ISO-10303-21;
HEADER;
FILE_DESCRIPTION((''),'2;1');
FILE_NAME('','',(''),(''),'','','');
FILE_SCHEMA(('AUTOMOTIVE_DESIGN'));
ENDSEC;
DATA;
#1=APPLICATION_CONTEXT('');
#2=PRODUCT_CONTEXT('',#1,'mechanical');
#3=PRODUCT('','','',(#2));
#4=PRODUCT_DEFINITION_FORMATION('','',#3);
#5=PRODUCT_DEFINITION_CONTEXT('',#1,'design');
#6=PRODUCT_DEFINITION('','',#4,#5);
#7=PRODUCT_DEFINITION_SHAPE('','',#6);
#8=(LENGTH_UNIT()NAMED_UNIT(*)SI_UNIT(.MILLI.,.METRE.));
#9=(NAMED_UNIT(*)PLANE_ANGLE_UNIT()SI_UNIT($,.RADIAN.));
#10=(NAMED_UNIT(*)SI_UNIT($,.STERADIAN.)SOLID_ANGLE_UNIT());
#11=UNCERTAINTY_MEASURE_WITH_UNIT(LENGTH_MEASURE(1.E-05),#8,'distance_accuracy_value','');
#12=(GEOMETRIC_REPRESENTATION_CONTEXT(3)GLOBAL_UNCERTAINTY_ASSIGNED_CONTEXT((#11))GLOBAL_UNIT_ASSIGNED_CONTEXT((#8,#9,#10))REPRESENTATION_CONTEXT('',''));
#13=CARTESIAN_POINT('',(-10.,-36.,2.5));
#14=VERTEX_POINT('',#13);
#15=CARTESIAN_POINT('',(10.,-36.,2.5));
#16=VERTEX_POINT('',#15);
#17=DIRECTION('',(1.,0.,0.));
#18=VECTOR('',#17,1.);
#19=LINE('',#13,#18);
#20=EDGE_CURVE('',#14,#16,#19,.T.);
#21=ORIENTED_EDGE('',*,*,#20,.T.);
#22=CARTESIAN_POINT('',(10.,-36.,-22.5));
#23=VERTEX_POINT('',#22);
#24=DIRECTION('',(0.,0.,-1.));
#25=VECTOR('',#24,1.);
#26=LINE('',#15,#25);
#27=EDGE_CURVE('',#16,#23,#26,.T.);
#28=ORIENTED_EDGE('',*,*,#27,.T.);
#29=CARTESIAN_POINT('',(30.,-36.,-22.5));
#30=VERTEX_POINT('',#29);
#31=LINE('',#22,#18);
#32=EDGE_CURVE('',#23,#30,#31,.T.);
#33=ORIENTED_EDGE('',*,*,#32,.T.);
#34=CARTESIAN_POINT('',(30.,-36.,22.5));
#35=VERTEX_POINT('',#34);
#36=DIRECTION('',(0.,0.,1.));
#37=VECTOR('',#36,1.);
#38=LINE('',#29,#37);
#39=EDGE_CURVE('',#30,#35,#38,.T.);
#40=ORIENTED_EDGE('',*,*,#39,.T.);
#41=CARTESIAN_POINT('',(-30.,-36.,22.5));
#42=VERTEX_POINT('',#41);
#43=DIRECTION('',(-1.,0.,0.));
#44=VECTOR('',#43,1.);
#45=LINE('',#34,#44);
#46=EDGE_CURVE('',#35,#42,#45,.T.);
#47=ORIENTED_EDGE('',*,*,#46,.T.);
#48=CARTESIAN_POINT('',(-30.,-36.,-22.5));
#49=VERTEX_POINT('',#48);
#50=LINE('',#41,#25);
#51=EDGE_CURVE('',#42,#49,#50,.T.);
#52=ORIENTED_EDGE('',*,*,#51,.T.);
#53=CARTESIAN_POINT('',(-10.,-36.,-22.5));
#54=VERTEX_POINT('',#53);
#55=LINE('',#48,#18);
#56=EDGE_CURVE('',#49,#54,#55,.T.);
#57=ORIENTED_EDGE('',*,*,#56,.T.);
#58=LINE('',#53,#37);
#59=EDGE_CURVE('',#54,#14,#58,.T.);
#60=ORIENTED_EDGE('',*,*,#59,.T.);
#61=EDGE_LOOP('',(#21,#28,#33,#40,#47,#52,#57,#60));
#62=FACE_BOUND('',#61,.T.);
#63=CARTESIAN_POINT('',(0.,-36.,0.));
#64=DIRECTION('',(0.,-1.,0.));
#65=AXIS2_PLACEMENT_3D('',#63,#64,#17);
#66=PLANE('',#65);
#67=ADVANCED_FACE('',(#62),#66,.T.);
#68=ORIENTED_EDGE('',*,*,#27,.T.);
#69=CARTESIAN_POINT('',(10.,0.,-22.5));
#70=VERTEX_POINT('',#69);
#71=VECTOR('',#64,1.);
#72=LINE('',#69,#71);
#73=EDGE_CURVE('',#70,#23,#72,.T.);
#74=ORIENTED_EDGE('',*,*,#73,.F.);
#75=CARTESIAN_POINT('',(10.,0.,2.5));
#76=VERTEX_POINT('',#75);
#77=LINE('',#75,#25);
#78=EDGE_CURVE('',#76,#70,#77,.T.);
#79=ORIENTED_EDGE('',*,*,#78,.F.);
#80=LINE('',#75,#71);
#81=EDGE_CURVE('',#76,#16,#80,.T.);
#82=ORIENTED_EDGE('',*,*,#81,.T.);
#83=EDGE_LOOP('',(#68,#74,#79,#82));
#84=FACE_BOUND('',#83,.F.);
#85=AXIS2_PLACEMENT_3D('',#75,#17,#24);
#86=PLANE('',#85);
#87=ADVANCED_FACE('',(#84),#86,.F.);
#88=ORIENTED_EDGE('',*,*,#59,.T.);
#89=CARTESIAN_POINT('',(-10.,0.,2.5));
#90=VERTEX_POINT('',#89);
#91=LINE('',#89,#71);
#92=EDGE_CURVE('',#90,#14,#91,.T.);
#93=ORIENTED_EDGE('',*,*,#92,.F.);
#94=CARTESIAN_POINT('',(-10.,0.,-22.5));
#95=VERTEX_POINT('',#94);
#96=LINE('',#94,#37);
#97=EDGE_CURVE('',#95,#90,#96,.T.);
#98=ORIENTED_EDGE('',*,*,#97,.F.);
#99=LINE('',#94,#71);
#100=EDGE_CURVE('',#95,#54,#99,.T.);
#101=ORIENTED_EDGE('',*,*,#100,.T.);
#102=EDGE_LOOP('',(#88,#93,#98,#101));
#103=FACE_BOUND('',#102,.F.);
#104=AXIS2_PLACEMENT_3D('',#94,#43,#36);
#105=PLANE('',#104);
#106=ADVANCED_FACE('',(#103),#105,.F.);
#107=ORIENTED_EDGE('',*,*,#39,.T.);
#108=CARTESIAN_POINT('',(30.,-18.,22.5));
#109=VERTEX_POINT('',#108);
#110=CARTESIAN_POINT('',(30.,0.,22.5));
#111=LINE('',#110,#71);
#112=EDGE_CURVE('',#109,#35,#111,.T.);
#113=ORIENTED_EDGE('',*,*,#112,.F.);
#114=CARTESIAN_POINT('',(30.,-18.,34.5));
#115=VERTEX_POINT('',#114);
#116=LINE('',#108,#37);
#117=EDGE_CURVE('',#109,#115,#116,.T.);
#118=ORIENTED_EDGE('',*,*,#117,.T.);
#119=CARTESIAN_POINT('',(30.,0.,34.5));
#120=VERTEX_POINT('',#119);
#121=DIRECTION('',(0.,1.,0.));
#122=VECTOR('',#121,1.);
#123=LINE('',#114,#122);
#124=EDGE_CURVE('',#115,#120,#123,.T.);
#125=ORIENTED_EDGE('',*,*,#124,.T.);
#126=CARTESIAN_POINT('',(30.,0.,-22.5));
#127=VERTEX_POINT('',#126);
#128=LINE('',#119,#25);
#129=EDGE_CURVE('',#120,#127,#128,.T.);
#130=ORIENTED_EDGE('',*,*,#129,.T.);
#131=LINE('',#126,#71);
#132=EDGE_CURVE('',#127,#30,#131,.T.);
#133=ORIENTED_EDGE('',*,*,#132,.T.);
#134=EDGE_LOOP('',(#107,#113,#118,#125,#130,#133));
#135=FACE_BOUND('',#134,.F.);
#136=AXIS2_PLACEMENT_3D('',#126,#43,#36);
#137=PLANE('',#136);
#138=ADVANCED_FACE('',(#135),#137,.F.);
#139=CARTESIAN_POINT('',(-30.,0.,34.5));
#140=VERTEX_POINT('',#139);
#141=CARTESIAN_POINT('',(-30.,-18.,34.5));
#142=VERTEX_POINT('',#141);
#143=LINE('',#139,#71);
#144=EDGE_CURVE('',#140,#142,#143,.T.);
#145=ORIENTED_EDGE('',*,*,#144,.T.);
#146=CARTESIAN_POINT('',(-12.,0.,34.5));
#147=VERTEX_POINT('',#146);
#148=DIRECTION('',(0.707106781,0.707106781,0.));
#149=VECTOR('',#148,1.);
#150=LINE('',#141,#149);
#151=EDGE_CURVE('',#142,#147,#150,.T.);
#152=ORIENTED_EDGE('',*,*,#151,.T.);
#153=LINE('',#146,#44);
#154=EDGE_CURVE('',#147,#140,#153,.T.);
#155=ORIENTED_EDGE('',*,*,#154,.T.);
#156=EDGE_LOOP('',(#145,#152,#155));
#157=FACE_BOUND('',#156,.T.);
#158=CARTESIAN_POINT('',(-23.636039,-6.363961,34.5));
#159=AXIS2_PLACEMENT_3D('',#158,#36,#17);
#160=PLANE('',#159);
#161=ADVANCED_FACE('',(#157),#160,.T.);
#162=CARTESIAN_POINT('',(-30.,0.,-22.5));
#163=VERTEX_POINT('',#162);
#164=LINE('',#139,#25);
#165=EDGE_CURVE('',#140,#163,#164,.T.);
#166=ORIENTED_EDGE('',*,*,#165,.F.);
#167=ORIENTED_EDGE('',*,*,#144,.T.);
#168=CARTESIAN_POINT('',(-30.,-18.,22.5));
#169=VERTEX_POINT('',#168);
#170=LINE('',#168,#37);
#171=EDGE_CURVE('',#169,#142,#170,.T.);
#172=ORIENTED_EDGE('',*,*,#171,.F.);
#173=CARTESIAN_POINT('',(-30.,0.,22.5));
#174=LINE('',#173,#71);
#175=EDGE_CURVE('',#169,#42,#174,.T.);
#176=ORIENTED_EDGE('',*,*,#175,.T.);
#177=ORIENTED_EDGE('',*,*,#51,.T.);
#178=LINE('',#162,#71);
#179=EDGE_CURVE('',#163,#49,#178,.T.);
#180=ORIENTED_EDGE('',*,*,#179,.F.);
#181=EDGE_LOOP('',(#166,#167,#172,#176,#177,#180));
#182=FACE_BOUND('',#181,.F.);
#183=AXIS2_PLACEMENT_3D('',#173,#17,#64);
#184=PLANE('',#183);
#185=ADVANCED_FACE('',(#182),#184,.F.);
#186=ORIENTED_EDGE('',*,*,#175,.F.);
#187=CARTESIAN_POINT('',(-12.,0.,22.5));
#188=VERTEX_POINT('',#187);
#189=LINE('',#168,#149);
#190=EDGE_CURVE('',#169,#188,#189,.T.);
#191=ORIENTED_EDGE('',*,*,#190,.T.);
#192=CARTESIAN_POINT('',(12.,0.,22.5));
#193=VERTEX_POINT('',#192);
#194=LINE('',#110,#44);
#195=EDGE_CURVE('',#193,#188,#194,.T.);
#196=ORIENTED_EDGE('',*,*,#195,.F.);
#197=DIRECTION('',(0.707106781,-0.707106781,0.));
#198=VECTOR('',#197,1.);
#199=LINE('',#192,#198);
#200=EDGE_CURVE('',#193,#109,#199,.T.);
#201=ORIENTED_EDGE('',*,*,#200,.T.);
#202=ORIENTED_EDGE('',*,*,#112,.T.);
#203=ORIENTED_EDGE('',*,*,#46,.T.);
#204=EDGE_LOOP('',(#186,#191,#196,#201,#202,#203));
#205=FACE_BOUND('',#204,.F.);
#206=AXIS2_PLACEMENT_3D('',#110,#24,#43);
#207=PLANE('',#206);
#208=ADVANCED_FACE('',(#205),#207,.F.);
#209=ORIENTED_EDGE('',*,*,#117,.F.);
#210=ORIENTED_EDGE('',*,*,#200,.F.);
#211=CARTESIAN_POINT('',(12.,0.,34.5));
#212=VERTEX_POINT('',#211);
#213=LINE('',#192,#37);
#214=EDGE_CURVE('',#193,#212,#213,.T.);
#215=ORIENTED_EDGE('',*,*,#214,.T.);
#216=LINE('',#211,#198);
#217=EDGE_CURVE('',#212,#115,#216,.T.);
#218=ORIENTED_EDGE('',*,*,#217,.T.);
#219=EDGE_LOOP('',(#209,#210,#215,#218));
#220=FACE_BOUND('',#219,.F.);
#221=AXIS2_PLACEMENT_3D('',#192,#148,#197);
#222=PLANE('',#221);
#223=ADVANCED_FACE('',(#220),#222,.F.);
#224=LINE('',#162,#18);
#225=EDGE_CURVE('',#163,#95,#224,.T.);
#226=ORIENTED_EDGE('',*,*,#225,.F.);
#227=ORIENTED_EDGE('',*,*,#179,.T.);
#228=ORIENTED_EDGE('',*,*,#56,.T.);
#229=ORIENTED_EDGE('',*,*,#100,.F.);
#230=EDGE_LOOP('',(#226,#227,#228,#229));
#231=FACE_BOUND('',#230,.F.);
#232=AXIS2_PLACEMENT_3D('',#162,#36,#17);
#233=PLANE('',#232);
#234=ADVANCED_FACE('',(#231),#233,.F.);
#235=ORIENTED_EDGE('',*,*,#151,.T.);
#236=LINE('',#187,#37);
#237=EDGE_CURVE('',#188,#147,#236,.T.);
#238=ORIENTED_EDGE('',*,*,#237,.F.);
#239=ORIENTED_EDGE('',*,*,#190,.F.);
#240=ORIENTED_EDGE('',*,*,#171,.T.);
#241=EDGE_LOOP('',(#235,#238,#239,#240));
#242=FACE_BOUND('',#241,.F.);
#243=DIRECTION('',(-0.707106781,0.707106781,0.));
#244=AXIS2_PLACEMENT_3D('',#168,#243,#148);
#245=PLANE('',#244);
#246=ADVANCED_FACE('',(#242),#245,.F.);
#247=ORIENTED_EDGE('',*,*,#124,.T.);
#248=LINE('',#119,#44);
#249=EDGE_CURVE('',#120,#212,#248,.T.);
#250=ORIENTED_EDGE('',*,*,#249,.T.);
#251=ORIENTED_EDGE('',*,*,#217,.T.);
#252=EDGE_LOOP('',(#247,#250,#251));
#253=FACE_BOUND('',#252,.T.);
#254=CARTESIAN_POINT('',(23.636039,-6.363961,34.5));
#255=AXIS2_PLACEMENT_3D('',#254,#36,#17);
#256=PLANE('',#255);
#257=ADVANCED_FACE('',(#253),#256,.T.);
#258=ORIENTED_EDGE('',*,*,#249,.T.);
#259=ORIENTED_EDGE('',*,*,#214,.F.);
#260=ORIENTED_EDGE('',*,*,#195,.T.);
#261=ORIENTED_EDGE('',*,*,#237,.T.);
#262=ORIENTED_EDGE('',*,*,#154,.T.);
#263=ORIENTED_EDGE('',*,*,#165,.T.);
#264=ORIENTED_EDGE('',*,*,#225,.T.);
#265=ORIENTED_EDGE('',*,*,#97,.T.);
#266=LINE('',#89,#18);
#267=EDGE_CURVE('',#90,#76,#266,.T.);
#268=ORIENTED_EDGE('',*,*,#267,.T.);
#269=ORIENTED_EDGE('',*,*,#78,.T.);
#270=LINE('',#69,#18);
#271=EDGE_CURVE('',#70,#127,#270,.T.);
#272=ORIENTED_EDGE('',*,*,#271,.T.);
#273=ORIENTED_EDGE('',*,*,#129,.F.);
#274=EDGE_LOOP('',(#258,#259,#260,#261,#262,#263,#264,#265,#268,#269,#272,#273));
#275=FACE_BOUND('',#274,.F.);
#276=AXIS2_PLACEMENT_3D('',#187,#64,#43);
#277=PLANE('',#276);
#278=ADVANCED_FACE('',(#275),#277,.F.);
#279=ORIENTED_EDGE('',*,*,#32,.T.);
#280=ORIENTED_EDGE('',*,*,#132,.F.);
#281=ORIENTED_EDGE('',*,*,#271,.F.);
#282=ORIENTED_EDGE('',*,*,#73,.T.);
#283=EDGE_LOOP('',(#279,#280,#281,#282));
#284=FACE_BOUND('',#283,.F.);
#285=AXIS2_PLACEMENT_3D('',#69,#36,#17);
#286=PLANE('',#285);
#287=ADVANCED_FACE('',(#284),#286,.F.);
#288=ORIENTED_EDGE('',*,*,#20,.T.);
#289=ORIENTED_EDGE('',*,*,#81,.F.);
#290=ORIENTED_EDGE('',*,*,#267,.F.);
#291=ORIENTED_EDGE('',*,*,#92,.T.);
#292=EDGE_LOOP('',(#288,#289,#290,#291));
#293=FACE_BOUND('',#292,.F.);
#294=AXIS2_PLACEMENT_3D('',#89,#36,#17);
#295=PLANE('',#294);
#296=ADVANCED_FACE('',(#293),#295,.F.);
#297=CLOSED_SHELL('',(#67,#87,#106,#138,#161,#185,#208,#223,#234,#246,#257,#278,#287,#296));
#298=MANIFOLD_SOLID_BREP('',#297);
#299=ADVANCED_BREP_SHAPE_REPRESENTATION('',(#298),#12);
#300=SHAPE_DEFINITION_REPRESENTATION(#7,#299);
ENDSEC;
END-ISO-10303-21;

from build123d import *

# Parameters (mm, degrees)
F1_DEPTH = 36
F3_DEPTH = 12


with BuildPart() as f1:
    # F0 (on Front) → F1 (new body)
    with BuildSketch(Plane.XZ):
        Polygon((-30, 22.5), (-30, -22.5), (-10, -22.5), (-10, 2.5), (10, 2.5), (10, -22.5), (30, -22.5), (30, 22.5), (10, 22.5), (-10, 22.5), align=None)
    extrude(amount=F1_DEPTH)

    # F2 (on face) → F3 (join)
    with BuildSketch(Plane.XY.offset(22.5)):
        Polygon((-30, -18), (-12, 0), (-30, 0), align=None)
        Polygon((30, 0), (12, 0), (30, -18), align=None)
    extrude(amount=F3_DEPTH)


solid = f1.part
